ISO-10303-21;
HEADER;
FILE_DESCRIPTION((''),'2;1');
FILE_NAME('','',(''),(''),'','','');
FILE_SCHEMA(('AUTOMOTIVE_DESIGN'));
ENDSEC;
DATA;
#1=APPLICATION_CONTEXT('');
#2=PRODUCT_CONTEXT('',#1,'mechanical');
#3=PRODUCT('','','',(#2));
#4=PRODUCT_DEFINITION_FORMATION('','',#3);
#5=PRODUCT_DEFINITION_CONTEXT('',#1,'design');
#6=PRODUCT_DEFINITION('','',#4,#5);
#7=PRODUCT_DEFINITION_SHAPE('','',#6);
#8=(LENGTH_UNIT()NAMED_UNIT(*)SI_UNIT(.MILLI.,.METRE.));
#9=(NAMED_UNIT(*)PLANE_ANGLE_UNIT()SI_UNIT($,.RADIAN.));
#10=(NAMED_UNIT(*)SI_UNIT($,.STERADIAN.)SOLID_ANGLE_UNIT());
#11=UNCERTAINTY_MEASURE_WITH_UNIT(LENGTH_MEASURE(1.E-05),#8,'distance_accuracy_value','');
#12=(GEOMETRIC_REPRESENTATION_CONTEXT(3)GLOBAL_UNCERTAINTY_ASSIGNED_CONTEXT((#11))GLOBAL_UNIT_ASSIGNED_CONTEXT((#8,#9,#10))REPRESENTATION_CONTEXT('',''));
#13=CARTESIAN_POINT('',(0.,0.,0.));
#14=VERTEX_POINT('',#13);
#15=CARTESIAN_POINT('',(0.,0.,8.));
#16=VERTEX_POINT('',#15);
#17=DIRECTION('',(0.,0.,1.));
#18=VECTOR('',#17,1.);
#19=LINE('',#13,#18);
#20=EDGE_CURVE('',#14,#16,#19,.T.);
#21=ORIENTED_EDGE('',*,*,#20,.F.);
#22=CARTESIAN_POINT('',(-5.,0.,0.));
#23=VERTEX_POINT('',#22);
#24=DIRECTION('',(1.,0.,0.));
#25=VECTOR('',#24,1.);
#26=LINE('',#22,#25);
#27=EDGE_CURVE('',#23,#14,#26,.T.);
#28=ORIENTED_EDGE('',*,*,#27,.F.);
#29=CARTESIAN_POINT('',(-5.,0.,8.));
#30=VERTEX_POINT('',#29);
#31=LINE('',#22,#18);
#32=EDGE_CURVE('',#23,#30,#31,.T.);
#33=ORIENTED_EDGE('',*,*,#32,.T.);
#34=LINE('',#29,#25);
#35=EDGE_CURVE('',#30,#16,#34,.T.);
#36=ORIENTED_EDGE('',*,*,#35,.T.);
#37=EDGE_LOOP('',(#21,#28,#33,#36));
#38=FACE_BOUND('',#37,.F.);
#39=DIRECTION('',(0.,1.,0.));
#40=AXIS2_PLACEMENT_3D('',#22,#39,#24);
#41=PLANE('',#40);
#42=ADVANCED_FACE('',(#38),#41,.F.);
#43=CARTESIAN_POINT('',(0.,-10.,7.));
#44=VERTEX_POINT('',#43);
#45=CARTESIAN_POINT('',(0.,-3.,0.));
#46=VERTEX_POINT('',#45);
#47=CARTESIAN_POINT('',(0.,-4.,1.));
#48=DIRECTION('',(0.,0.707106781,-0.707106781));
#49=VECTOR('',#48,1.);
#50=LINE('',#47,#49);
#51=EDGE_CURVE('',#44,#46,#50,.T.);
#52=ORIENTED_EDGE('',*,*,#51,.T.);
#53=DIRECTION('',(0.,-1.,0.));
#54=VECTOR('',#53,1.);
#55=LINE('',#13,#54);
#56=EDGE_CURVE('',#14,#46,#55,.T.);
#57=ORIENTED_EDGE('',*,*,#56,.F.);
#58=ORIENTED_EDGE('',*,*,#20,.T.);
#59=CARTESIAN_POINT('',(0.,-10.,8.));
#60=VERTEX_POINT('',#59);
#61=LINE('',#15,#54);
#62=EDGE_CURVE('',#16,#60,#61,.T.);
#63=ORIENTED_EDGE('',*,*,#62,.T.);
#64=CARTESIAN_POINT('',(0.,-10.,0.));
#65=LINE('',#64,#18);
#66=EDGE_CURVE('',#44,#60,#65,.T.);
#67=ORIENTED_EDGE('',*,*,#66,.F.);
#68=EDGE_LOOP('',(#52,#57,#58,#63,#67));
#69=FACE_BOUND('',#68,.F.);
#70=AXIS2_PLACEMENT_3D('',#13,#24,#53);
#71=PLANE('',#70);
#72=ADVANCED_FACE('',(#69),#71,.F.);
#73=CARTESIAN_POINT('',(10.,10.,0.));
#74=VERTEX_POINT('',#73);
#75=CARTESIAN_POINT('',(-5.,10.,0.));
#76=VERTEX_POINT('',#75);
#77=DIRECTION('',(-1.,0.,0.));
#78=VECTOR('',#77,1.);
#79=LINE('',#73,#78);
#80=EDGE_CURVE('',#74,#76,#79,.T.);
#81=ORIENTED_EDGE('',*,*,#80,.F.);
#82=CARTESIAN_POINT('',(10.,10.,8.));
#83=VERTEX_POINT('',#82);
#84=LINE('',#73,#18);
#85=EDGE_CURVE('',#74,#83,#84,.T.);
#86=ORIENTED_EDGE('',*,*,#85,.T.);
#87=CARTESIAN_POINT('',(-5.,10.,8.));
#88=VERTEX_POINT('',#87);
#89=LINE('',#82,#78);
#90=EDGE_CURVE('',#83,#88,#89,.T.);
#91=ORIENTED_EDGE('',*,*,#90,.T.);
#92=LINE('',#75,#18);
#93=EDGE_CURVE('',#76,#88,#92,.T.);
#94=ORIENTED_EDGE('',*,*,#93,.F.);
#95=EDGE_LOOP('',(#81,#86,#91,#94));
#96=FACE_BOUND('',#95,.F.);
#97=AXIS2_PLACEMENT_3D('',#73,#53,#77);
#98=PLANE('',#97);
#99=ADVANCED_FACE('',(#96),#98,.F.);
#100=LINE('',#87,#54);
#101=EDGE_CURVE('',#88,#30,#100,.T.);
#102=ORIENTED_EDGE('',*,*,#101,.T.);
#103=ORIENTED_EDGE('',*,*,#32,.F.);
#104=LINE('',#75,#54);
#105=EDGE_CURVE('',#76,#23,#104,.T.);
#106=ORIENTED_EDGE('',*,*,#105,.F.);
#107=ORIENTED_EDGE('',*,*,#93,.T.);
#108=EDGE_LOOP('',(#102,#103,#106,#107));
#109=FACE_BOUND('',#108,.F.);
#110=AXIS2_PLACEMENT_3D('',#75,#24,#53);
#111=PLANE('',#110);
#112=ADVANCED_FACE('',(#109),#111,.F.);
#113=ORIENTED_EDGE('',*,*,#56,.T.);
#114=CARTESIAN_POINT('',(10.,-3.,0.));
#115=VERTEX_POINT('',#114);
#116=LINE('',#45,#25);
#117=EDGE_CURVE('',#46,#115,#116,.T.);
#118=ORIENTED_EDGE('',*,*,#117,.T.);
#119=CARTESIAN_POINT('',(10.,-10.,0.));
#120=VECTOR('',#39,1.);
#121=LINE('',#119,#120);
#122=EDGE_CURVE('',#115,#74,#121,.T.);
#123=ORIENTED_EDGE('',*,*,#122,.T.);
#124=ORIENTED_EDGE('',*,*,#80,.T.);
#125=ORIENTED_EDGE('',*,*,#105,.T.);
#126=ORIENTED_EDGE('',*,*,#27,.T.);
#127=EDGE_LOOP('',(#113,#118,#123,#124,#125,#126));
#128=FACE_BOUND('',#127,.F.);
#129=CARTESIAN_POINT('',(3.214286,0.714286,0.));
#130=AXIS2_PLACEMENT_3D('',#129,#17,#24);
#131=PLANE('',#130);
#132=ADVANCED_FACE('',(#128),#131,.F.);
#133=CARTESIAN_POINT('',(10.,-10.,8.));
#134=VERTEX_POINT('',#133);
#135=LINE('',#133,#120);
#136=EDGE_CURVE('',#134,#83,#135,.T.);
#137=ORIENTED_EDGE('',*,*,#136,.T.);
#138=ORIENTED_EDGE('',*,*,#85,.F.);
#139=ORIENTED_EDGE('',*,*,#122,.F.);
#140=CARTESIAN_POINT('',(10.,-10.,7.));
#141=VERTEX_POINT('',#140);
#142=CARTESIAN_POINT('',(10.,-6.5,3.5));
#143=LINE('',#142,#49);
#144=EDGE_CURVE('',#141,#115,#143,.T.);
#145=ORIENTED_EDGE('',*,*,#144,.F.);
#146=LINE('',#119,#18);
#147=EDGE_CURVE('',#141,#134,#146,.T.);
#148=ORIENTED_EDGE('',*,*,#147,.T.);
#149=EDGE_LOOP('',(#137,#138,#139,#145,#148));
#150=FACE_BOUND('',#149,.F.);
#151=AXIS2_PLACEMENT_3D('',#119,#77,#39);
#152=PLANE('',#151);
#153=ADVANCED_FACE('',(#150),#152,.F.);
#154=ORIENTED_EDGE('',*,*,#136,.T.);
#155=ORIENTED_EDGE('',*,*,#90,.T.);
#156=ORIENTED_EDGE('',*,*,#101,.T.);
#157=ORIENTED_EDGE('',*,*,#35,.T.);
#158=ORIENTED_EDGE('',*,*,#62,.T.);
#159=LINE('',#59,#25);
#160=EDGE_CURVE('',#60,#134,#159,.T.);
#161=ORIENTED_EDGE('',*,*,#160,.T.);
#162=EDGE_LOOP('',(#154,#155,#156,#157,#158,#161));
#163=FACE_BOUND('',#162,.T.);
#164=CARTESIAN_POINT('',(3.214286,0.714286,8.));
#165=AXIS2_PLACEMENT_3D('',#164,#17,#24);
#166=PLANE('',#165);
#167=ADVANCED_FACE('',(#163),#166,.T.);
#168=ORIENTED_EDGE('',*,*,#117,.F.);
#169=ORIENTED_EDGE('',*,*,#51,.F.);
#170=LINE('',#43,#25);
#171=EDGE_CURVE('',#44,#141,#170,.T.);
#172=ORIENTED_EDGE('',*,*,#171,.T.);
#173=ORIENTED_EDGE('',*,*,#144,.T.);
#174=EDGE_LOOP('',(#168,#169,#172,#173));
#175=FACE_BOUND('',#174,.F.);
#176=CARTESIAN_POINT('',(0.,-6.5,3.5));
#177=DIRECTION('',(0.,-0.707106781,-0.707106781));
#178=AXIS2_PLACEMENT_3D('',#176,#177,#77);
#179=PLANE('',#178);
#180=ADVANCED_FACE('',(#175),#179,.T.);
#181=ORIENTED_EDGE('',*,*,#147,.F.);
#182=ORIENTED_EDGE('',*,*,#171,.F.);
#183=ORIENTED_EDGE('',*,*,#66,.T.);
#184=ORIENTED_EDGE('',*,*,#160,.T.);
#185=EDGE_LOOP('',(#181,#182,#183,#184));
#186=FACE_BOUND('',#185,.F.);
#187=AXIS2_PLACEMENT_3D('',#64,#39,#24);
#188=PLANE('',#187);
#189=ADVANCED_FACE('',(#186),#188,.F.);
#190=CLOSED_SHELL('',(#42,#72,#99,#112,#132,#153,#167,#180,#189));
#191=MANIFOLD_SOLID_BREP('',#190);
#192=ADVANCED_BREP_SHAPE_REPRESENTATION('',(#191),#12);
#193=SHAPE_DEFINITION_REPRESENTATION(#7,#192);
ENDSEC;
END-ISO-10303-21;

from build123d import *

# Parameters (mm, degrees)
F1_DEPTH = 8
F2_SIZE  = 7


with BuildPart() as f1:
    # F0 (on Top) → F1 (new body)
    with BuildSketch(Plane.XY):
        Polygon((10, -10), (10, 10), (-5, 10), (-5, 0), (0, 0), (0, -10), align=None)
    extrude(amount=F1_DEPTH)

    # F2
    f2_edges = [f1.edges().sort_by_distance(p)[0] for p in [
        (5, -10, 0),
    ]]
    chamfer(f2_edges, length=F2_SIZE)


solid = f1.part
